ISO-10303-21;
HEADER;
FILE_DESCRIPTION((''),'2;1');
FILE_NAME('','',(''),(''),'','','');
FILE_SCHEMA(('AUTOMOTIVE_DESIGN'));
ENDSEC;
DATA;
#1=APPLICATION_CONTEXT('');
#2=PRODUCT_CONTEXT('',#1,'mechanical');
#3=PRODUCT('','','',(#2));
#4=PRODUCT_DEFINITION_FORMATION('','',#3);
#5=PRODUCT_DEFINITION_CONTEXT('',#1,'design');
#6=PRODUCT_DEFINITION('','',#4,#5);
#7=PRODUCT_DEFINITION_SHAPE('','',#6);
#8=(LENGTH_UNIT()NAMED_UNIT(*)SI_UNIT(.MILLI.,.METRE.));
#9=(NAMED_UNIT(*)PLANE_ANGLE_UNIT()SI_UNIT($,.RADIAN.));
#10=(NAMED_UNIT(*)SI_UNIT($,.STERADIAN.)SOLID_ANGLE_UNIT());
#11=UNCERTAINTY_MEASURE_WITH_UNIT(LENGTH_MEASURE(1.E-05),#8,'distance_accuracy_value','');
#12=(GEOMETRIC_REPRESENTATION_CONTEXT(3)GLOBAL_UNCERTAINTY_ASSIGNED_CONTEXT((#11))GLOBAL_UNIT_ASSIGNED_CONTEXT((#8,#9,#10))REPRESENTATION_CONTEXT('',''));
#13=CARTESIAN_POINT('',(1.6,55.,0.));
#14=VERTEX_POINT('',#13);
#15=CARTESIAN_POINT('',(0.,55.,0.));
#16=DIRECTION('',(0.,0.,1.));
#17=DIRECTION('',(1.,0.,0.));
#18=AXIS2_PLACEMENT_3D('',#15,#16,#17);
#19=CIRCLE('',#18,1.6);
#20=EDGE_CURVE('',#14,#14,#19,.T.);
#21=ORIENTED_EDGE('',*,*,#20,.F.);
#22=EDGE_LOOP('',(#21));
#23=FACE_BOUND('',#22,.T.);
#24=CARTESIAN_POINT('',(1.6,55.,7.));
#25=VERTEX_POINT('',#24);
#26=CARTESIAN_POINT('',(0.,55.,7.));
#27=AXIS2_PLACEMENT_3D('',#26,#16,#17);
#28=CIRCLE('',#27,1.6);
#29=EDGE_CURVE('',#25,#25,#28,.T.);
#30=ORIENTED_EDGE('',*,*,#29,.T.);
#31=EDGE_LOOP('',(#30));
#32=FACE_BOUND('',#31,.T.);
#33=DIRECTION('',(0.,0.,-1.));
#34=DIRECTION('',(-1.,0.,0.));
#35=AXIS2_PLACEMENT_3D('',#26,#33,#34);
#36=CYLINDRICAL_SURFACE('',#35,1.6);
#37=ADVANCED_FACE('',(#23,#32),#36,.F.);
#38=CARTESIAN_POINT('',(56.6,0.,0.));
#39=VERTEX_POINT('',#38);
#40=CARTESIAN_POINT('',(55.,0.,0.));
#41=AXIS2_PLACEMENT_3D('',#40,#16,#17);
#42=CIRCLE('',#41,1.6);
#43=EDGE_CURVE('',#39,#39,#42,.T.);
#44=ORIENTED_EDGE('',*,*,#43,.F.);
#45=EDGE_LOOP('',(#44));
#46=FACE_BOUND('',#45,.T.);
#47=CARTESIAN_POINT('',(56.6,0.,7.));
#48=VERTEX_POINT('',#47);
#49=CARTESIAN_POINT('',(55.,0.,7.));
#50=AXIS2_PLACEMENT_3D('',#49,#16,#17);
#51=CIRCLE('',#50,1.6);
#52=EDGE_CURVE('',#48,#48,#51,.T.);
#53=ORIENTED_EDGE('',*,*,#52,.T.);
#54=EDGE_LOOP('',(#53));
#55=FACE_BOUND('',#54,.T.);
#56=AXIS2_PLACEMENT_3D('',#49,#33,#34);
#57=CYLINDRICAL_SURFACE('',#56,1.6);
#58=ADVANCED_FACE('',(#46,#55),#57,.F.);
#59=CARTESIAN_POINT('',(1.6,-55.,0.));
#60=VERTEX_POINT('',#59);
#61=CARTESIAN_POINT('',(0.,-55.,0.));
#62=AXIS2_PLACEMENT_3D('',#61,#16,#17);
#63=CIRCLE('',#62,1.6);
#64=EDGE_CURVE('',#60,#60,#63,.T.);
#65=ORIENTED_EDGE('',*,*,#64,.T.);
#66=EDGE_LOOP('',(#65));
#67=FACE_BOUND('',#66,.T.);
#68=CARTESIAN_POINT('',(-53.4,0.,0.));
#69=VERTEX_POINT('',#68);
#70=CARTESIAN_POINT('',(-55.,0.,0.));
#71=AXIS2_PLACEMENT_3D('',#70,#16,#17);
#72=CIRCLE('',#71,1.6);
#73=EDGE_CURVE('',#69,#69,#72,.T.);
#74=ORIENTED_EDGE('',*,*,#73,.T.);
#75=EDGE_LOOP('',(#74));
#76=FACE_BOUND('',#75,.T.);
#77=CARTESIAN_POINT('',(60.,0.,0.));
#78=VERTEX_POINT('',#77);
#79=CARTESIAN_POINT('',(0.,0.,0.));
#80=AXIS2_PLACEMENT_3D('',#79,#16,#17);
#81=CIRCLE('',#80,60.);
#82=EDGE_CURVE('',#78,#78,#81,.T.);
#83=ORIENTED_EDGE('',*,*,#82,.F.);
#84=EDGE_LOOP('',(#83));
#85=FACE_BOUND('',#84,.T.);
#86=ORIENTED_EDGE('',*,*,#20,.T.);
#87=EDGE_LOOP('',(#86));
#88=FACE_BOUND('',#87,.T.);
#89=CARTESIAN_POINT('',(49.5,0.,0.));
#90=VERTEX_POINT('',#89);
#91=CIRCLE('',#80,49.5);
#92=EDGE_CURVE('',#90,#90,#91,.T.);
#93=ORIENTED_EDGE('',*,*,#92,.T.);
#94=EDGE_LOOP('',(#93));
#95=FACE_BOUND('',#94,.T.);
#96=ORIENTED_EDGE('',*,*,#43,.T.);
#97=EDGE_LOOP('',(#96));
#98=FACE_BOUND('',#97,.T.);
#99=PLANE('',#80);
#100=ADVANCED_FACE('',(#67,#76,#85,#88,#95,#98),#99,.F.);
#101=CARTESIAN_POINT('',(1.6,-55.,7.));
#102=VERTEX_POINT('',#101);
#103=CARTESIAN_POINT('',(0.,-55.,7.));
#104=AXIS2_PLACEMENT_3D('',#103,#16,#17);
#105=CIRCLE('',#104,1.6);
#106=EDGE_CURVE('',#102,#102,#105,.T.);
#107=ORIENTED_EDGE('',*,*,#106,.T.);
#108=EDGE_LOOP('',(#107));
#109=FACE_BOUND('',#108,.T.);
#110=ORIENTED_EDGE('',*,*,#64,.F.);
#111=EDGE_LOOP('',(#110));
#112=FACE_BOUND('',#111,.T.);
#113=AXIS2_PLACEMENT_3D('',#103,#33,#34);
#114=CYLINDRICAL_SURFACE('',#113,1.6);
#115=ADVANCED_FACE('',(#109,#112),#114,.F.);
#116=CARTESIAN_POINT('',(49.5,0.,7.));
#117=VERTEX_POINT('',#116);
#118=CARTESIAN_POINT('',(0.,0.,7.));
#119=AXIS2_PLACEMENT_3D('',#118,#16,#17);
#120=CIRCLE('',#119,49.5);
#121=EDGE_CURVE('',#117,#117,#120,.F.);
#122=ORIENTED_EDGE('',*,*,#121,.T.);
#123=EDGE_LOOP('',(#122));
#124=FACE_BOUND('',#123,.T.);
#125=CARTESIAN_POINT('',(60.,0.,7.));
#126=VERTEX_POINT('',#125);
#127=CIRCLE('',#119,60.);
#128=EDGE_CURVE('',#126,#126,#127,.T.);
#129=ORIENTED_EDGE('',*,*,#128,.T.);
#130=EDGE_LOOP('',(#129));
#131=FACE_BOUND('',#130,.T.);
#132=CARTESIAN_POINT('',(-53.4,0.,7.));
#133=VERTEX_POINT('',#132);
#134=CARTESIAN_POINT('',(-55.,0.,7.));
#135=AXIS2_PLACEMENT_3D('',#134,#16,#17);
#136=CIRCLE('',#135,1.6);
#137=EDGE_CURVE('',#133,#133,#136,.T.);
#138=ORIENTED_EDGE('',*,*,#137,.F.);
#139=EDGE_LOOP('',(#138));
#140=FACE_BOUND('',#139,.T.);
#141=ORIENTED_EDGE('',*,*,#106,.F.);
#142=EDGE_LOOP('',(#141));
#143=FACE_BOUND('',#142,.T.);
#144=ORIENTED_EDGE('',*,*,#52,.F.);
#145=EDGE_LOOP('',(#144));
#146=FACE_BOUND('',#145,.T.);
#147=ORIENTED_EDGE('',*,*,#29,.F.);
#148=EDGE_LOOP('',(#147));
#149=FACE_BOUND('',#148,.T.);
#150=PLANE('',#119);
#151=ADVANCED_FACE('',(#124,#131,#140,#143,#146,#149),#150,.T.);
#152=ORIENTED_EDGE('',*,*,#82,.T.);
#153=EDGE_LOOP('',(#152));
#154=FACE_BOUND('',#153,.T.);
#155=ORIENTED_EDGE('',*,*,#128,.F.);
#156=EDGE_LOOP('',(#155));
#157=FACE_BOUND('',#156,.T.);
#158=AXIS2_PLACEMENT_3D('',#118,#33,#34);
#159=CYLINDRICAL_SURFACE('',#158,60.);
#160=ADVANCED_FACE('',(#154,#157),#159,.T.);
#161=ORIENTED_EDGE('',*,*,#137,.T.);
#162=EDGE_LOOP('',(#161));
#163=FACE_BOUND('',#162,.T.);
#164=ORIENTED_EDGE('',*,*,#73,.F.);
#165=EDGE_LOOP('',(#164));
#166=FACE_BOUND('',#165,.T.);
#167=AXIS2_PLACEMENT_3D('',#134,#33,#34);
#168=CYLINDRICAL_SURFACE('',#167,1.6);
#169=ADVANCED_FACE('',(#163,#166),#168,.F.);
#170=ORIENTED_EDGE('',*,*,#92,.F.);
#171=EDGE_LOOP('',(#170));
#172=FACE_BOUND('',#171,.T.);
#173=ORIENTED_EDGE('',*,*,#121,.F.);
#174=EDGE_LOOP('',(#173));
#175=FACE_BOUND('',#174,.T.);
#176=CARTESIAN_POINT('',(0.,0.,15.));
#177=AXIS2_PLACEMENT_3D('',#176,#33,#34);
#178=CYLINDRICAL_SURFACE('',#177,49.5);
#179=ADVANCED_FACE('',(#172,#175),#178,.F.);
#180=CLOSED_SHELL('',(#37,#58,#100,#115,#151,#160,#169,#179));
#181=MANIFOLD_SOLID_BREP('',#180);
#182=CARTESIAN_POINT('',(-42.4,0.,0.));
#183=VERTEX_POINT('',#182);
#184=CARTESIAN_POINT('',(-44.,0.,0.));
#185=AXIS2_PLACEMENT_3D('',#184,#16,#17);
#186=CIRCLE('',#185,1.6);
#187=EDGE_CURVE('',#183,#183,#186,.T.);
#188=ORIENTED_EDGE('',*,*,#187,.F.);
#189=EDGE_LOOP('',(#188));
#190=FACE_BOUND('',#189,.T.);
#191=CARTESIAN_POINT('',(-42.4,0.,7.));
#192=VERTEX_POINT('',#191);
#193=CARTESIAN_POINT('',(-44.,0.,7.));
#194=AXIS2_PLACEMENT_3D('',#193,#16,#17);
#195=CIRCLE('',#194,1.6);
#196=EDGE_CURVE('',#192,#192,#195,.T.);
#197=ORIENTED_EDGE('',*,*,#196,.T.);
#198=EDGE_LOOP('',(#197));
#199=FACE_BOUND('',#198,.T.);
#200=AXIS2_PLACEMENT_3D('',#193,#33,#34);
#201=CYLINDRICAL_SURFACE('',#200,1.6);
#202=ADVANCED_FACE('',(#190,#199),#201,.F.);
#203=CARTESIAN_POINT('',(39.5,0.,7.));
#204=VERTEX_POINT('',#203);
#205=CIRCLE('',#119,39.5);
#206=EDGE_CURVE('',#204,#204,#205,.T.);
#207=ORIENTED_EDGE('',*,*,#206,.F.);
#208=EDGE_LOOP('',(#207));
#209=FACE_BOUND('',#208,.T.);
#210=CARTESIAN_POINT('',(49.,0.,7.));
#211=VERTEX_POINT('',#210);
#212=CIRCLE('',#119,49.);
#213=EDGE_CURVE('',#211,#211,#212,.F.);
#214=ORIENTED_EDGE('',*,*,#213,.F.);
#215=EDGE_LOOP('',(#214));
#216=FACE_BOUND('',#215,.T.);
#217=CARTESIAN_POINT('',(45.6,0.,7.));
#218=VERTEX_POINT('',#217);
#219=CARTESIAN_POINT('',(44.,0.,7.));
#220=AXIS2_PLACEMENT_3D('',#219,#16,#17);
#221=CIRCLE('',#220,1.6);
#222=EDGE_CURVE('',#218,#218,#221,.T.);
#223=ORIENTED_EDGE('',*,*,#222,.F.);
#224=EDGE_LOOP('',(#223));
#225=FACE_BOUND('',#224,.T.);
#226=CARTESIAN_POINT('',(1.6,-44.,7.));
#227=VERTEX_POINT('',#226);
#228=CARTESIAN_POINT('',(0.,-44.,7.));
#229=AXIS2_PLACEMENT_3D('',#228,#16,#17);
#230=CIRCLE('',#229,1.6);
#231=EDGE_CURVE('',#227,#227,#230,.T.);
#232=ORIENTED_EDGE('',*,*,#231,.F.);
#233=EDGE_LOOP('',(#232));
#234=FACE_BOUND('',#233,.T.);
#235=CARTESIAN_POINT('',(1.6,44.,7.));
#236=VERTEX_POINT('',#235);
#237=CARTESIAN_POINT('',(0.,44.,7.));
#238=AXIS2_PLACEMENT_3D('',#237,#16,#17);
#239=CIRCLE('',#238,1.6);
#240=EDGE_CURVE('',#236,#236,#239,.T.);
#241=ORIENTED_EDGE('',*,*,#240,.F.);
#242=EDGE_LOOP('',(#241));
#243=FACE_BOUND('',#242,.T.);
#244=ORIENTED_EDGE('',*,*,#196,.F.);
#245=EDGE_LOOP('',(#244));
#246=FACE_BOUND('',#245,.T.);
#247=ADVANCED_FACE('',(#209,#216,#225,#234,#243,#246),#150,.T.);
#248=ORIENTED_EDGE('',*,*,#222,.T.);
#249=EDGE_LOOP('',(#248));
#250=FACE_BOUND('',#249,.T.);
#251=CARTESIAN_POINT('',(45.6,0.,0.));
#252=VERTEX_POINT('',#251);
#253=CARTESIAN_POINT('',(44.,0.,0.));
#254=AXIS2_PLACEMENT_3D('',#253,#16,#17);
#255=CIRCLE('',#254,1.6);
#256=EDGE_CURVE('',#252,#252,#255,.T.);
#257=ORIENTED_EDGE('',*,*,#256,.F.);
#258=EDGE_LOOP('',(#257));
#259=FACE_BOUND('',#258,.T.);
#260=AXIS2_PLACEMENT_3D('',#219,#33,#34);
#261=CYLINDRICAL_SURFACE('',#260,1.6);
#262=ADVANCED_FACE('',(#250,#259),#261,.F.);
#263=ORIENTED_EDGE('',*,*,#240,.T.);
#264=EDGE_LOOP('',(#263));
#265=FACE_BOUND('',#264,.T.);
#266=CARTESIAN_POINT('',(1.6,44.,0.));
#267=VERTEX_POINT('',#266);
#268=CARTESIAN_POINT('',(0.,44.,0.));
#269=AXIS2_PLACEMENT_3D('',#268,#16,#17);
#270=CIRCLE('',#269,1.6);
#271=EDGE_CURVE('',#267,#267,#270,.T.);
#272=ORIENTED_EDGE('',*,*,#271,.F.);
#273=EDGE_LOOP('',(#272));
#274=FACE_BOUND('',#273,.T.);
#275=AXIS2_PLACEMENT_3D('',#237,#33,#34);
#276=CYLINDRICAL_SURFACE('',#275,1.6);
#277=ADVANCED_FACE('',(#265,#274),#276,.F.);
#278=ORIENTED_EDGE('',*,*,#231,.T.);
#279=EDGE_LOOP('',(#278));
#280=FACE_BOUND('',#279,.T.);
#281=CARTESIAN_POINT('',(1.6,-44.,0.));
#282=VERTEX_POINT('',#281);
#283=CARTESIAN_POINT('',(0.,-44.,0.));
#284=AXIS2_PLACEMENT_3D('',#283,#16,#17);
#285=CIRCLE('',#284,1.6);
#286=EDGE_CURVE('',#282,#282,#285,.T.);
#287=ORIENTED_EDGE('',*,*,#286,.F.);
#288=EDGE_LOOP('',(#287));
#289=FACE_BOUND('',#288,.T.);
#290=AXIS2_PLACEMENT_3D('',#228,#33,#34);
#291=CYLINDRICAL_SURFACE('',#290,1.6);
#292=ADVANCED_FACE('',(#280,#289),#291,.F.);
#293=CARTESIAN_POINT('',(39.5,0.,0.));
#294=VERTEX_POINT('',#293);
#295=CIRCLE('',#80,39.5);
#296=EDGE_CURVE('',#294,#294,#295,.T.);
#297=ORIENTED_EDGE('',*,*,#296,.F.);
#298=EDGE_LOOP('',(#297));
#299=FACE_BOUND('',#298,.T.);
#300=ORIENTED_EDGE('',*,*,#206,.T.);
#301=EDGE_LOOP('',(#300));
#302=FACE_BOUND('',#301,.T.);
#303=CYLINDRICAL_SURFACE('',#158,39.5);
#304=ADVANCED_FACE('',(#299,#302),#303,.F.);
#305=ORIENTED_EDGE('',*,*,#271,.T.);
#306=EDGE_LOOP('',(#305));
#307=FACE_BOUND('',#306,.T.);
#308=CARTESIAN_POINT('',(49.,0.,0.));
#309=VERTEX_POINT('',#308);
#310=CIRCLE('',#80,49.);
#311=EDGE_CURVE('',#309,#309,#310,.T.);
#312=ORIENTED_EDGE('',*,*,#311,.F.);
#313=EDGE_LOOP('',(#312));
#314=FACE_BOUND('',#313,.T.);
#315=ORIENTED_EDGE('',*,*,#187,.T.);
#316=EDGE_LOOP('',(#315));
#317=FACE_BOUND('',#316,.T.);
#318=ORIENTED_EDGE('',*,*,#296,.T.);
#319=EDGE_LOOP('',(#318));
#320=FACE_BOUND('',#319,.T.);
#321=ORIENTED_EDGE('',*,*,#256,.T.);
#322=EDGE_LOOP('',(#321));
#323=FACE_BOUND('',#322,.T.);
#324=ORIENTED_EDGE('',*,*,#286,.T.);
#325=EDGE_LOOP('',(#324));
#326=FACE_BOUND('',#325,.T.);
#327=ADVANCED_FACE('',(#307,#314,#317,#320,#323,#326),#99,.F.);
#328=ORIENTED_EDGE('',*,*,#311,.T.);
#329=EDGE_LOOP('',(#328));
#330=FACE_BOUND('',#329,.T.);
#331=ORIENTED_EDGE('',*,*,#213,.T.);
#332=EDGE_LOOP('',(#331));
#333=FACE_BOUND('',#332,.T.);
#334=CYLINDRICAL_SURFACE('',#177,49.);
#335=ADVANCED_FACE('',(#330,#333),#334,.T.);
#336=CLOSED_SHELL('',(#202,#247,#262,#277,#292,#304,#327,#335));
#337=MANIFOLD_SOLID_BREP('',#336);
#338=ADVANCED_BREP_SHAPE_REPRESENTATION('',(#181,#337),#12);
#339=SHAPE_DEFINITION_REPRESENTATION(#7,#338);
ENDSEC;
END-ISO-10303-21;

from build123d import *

# Parameters (mm, degrees)
SKETCH_1_R          = 60
SKETCH_1_R_2        = 39.5
SKETCH_1_R_3        = 1.6
EXTRUDE_4_DEPTH     = 7
SKETCH_2_R          = 49.5
SKETCH_2_R_2        = 49
CUT_EXTRUDE_1_DEPTH = 15


with BuildPart() as part:
    # 草图1 → 凸台-拉伸4 (new body)
    with BuildSketch(Plane.XY):
        Circle(SKETCH_1_R)
        Circle(SKETCH_1_R_2, mode=Mode.SUBTRACT)
        with Locations((0, 55)):
            Circle(SKETCH_1_R_3, mode=Mode.SUBTRACT)
        with Locations((55, 0)):
            Circle(SKETCH_1_R_3, mode=Mode.SUBTRACT)
        with Locations((0, -55)):
            Circle(SKETCH_1_R_3, mode=Mode.SUBTRACT)
        with Locations((-55, 0)):
            Circle(SKETCH_1_R_3, mode=Mode.SUBTRACT)
        with Locations((0, 44)):
            Circle(SKETCH_1_R_3, mode=Mode.SUBTRACT)
        with Locations((44, 0)):
            Circle(SKETCH_1_R_3, mode=Mode.SUBTRACT)
        with Locations((0, -44)):
            Circle(SKETCH_1_R_3, mode=Mode.SUBTRACT)
        with Locations((-44, 0)):
            Circle(SKETCH_1_R_3, mode=Mode.SUBTRACT)
    extrude(amount=EXTRUDE_4_DEPTH)

    # 草图2 → 切除-拉伸1 (cut)
    with BuildSketch(Plane.XY):
        Circle(SKETCH_2_R)
        Circle(SKETCH_2_R_2, mode=Mode.SUBTRACT)
    extrude(amount=CUT_EXTRUDE_1_DEPTH, mode=Mode.SUBTRACT)


with BuildPart() as cut_extrude_1_piece_1:
    # of the separate pieces the step leaves, piece 1, a body of its own (cut_extrude_1_pieces)
    add(part.part.solids().sort_by_distance((60, 0, 0))[0])


with BuildPart() as cut_extrude_1_piece_2:
    # of the separate pieces the step leaves, piece 2, a body of its own (cut_extrude_1_pieces)
    add(part.part.solids().sort_by_distance((49, 0, 0))[0])


solid = Compound([cut_extrude_1_piece_1.part, cut_extrude_1_piece_2.part])
